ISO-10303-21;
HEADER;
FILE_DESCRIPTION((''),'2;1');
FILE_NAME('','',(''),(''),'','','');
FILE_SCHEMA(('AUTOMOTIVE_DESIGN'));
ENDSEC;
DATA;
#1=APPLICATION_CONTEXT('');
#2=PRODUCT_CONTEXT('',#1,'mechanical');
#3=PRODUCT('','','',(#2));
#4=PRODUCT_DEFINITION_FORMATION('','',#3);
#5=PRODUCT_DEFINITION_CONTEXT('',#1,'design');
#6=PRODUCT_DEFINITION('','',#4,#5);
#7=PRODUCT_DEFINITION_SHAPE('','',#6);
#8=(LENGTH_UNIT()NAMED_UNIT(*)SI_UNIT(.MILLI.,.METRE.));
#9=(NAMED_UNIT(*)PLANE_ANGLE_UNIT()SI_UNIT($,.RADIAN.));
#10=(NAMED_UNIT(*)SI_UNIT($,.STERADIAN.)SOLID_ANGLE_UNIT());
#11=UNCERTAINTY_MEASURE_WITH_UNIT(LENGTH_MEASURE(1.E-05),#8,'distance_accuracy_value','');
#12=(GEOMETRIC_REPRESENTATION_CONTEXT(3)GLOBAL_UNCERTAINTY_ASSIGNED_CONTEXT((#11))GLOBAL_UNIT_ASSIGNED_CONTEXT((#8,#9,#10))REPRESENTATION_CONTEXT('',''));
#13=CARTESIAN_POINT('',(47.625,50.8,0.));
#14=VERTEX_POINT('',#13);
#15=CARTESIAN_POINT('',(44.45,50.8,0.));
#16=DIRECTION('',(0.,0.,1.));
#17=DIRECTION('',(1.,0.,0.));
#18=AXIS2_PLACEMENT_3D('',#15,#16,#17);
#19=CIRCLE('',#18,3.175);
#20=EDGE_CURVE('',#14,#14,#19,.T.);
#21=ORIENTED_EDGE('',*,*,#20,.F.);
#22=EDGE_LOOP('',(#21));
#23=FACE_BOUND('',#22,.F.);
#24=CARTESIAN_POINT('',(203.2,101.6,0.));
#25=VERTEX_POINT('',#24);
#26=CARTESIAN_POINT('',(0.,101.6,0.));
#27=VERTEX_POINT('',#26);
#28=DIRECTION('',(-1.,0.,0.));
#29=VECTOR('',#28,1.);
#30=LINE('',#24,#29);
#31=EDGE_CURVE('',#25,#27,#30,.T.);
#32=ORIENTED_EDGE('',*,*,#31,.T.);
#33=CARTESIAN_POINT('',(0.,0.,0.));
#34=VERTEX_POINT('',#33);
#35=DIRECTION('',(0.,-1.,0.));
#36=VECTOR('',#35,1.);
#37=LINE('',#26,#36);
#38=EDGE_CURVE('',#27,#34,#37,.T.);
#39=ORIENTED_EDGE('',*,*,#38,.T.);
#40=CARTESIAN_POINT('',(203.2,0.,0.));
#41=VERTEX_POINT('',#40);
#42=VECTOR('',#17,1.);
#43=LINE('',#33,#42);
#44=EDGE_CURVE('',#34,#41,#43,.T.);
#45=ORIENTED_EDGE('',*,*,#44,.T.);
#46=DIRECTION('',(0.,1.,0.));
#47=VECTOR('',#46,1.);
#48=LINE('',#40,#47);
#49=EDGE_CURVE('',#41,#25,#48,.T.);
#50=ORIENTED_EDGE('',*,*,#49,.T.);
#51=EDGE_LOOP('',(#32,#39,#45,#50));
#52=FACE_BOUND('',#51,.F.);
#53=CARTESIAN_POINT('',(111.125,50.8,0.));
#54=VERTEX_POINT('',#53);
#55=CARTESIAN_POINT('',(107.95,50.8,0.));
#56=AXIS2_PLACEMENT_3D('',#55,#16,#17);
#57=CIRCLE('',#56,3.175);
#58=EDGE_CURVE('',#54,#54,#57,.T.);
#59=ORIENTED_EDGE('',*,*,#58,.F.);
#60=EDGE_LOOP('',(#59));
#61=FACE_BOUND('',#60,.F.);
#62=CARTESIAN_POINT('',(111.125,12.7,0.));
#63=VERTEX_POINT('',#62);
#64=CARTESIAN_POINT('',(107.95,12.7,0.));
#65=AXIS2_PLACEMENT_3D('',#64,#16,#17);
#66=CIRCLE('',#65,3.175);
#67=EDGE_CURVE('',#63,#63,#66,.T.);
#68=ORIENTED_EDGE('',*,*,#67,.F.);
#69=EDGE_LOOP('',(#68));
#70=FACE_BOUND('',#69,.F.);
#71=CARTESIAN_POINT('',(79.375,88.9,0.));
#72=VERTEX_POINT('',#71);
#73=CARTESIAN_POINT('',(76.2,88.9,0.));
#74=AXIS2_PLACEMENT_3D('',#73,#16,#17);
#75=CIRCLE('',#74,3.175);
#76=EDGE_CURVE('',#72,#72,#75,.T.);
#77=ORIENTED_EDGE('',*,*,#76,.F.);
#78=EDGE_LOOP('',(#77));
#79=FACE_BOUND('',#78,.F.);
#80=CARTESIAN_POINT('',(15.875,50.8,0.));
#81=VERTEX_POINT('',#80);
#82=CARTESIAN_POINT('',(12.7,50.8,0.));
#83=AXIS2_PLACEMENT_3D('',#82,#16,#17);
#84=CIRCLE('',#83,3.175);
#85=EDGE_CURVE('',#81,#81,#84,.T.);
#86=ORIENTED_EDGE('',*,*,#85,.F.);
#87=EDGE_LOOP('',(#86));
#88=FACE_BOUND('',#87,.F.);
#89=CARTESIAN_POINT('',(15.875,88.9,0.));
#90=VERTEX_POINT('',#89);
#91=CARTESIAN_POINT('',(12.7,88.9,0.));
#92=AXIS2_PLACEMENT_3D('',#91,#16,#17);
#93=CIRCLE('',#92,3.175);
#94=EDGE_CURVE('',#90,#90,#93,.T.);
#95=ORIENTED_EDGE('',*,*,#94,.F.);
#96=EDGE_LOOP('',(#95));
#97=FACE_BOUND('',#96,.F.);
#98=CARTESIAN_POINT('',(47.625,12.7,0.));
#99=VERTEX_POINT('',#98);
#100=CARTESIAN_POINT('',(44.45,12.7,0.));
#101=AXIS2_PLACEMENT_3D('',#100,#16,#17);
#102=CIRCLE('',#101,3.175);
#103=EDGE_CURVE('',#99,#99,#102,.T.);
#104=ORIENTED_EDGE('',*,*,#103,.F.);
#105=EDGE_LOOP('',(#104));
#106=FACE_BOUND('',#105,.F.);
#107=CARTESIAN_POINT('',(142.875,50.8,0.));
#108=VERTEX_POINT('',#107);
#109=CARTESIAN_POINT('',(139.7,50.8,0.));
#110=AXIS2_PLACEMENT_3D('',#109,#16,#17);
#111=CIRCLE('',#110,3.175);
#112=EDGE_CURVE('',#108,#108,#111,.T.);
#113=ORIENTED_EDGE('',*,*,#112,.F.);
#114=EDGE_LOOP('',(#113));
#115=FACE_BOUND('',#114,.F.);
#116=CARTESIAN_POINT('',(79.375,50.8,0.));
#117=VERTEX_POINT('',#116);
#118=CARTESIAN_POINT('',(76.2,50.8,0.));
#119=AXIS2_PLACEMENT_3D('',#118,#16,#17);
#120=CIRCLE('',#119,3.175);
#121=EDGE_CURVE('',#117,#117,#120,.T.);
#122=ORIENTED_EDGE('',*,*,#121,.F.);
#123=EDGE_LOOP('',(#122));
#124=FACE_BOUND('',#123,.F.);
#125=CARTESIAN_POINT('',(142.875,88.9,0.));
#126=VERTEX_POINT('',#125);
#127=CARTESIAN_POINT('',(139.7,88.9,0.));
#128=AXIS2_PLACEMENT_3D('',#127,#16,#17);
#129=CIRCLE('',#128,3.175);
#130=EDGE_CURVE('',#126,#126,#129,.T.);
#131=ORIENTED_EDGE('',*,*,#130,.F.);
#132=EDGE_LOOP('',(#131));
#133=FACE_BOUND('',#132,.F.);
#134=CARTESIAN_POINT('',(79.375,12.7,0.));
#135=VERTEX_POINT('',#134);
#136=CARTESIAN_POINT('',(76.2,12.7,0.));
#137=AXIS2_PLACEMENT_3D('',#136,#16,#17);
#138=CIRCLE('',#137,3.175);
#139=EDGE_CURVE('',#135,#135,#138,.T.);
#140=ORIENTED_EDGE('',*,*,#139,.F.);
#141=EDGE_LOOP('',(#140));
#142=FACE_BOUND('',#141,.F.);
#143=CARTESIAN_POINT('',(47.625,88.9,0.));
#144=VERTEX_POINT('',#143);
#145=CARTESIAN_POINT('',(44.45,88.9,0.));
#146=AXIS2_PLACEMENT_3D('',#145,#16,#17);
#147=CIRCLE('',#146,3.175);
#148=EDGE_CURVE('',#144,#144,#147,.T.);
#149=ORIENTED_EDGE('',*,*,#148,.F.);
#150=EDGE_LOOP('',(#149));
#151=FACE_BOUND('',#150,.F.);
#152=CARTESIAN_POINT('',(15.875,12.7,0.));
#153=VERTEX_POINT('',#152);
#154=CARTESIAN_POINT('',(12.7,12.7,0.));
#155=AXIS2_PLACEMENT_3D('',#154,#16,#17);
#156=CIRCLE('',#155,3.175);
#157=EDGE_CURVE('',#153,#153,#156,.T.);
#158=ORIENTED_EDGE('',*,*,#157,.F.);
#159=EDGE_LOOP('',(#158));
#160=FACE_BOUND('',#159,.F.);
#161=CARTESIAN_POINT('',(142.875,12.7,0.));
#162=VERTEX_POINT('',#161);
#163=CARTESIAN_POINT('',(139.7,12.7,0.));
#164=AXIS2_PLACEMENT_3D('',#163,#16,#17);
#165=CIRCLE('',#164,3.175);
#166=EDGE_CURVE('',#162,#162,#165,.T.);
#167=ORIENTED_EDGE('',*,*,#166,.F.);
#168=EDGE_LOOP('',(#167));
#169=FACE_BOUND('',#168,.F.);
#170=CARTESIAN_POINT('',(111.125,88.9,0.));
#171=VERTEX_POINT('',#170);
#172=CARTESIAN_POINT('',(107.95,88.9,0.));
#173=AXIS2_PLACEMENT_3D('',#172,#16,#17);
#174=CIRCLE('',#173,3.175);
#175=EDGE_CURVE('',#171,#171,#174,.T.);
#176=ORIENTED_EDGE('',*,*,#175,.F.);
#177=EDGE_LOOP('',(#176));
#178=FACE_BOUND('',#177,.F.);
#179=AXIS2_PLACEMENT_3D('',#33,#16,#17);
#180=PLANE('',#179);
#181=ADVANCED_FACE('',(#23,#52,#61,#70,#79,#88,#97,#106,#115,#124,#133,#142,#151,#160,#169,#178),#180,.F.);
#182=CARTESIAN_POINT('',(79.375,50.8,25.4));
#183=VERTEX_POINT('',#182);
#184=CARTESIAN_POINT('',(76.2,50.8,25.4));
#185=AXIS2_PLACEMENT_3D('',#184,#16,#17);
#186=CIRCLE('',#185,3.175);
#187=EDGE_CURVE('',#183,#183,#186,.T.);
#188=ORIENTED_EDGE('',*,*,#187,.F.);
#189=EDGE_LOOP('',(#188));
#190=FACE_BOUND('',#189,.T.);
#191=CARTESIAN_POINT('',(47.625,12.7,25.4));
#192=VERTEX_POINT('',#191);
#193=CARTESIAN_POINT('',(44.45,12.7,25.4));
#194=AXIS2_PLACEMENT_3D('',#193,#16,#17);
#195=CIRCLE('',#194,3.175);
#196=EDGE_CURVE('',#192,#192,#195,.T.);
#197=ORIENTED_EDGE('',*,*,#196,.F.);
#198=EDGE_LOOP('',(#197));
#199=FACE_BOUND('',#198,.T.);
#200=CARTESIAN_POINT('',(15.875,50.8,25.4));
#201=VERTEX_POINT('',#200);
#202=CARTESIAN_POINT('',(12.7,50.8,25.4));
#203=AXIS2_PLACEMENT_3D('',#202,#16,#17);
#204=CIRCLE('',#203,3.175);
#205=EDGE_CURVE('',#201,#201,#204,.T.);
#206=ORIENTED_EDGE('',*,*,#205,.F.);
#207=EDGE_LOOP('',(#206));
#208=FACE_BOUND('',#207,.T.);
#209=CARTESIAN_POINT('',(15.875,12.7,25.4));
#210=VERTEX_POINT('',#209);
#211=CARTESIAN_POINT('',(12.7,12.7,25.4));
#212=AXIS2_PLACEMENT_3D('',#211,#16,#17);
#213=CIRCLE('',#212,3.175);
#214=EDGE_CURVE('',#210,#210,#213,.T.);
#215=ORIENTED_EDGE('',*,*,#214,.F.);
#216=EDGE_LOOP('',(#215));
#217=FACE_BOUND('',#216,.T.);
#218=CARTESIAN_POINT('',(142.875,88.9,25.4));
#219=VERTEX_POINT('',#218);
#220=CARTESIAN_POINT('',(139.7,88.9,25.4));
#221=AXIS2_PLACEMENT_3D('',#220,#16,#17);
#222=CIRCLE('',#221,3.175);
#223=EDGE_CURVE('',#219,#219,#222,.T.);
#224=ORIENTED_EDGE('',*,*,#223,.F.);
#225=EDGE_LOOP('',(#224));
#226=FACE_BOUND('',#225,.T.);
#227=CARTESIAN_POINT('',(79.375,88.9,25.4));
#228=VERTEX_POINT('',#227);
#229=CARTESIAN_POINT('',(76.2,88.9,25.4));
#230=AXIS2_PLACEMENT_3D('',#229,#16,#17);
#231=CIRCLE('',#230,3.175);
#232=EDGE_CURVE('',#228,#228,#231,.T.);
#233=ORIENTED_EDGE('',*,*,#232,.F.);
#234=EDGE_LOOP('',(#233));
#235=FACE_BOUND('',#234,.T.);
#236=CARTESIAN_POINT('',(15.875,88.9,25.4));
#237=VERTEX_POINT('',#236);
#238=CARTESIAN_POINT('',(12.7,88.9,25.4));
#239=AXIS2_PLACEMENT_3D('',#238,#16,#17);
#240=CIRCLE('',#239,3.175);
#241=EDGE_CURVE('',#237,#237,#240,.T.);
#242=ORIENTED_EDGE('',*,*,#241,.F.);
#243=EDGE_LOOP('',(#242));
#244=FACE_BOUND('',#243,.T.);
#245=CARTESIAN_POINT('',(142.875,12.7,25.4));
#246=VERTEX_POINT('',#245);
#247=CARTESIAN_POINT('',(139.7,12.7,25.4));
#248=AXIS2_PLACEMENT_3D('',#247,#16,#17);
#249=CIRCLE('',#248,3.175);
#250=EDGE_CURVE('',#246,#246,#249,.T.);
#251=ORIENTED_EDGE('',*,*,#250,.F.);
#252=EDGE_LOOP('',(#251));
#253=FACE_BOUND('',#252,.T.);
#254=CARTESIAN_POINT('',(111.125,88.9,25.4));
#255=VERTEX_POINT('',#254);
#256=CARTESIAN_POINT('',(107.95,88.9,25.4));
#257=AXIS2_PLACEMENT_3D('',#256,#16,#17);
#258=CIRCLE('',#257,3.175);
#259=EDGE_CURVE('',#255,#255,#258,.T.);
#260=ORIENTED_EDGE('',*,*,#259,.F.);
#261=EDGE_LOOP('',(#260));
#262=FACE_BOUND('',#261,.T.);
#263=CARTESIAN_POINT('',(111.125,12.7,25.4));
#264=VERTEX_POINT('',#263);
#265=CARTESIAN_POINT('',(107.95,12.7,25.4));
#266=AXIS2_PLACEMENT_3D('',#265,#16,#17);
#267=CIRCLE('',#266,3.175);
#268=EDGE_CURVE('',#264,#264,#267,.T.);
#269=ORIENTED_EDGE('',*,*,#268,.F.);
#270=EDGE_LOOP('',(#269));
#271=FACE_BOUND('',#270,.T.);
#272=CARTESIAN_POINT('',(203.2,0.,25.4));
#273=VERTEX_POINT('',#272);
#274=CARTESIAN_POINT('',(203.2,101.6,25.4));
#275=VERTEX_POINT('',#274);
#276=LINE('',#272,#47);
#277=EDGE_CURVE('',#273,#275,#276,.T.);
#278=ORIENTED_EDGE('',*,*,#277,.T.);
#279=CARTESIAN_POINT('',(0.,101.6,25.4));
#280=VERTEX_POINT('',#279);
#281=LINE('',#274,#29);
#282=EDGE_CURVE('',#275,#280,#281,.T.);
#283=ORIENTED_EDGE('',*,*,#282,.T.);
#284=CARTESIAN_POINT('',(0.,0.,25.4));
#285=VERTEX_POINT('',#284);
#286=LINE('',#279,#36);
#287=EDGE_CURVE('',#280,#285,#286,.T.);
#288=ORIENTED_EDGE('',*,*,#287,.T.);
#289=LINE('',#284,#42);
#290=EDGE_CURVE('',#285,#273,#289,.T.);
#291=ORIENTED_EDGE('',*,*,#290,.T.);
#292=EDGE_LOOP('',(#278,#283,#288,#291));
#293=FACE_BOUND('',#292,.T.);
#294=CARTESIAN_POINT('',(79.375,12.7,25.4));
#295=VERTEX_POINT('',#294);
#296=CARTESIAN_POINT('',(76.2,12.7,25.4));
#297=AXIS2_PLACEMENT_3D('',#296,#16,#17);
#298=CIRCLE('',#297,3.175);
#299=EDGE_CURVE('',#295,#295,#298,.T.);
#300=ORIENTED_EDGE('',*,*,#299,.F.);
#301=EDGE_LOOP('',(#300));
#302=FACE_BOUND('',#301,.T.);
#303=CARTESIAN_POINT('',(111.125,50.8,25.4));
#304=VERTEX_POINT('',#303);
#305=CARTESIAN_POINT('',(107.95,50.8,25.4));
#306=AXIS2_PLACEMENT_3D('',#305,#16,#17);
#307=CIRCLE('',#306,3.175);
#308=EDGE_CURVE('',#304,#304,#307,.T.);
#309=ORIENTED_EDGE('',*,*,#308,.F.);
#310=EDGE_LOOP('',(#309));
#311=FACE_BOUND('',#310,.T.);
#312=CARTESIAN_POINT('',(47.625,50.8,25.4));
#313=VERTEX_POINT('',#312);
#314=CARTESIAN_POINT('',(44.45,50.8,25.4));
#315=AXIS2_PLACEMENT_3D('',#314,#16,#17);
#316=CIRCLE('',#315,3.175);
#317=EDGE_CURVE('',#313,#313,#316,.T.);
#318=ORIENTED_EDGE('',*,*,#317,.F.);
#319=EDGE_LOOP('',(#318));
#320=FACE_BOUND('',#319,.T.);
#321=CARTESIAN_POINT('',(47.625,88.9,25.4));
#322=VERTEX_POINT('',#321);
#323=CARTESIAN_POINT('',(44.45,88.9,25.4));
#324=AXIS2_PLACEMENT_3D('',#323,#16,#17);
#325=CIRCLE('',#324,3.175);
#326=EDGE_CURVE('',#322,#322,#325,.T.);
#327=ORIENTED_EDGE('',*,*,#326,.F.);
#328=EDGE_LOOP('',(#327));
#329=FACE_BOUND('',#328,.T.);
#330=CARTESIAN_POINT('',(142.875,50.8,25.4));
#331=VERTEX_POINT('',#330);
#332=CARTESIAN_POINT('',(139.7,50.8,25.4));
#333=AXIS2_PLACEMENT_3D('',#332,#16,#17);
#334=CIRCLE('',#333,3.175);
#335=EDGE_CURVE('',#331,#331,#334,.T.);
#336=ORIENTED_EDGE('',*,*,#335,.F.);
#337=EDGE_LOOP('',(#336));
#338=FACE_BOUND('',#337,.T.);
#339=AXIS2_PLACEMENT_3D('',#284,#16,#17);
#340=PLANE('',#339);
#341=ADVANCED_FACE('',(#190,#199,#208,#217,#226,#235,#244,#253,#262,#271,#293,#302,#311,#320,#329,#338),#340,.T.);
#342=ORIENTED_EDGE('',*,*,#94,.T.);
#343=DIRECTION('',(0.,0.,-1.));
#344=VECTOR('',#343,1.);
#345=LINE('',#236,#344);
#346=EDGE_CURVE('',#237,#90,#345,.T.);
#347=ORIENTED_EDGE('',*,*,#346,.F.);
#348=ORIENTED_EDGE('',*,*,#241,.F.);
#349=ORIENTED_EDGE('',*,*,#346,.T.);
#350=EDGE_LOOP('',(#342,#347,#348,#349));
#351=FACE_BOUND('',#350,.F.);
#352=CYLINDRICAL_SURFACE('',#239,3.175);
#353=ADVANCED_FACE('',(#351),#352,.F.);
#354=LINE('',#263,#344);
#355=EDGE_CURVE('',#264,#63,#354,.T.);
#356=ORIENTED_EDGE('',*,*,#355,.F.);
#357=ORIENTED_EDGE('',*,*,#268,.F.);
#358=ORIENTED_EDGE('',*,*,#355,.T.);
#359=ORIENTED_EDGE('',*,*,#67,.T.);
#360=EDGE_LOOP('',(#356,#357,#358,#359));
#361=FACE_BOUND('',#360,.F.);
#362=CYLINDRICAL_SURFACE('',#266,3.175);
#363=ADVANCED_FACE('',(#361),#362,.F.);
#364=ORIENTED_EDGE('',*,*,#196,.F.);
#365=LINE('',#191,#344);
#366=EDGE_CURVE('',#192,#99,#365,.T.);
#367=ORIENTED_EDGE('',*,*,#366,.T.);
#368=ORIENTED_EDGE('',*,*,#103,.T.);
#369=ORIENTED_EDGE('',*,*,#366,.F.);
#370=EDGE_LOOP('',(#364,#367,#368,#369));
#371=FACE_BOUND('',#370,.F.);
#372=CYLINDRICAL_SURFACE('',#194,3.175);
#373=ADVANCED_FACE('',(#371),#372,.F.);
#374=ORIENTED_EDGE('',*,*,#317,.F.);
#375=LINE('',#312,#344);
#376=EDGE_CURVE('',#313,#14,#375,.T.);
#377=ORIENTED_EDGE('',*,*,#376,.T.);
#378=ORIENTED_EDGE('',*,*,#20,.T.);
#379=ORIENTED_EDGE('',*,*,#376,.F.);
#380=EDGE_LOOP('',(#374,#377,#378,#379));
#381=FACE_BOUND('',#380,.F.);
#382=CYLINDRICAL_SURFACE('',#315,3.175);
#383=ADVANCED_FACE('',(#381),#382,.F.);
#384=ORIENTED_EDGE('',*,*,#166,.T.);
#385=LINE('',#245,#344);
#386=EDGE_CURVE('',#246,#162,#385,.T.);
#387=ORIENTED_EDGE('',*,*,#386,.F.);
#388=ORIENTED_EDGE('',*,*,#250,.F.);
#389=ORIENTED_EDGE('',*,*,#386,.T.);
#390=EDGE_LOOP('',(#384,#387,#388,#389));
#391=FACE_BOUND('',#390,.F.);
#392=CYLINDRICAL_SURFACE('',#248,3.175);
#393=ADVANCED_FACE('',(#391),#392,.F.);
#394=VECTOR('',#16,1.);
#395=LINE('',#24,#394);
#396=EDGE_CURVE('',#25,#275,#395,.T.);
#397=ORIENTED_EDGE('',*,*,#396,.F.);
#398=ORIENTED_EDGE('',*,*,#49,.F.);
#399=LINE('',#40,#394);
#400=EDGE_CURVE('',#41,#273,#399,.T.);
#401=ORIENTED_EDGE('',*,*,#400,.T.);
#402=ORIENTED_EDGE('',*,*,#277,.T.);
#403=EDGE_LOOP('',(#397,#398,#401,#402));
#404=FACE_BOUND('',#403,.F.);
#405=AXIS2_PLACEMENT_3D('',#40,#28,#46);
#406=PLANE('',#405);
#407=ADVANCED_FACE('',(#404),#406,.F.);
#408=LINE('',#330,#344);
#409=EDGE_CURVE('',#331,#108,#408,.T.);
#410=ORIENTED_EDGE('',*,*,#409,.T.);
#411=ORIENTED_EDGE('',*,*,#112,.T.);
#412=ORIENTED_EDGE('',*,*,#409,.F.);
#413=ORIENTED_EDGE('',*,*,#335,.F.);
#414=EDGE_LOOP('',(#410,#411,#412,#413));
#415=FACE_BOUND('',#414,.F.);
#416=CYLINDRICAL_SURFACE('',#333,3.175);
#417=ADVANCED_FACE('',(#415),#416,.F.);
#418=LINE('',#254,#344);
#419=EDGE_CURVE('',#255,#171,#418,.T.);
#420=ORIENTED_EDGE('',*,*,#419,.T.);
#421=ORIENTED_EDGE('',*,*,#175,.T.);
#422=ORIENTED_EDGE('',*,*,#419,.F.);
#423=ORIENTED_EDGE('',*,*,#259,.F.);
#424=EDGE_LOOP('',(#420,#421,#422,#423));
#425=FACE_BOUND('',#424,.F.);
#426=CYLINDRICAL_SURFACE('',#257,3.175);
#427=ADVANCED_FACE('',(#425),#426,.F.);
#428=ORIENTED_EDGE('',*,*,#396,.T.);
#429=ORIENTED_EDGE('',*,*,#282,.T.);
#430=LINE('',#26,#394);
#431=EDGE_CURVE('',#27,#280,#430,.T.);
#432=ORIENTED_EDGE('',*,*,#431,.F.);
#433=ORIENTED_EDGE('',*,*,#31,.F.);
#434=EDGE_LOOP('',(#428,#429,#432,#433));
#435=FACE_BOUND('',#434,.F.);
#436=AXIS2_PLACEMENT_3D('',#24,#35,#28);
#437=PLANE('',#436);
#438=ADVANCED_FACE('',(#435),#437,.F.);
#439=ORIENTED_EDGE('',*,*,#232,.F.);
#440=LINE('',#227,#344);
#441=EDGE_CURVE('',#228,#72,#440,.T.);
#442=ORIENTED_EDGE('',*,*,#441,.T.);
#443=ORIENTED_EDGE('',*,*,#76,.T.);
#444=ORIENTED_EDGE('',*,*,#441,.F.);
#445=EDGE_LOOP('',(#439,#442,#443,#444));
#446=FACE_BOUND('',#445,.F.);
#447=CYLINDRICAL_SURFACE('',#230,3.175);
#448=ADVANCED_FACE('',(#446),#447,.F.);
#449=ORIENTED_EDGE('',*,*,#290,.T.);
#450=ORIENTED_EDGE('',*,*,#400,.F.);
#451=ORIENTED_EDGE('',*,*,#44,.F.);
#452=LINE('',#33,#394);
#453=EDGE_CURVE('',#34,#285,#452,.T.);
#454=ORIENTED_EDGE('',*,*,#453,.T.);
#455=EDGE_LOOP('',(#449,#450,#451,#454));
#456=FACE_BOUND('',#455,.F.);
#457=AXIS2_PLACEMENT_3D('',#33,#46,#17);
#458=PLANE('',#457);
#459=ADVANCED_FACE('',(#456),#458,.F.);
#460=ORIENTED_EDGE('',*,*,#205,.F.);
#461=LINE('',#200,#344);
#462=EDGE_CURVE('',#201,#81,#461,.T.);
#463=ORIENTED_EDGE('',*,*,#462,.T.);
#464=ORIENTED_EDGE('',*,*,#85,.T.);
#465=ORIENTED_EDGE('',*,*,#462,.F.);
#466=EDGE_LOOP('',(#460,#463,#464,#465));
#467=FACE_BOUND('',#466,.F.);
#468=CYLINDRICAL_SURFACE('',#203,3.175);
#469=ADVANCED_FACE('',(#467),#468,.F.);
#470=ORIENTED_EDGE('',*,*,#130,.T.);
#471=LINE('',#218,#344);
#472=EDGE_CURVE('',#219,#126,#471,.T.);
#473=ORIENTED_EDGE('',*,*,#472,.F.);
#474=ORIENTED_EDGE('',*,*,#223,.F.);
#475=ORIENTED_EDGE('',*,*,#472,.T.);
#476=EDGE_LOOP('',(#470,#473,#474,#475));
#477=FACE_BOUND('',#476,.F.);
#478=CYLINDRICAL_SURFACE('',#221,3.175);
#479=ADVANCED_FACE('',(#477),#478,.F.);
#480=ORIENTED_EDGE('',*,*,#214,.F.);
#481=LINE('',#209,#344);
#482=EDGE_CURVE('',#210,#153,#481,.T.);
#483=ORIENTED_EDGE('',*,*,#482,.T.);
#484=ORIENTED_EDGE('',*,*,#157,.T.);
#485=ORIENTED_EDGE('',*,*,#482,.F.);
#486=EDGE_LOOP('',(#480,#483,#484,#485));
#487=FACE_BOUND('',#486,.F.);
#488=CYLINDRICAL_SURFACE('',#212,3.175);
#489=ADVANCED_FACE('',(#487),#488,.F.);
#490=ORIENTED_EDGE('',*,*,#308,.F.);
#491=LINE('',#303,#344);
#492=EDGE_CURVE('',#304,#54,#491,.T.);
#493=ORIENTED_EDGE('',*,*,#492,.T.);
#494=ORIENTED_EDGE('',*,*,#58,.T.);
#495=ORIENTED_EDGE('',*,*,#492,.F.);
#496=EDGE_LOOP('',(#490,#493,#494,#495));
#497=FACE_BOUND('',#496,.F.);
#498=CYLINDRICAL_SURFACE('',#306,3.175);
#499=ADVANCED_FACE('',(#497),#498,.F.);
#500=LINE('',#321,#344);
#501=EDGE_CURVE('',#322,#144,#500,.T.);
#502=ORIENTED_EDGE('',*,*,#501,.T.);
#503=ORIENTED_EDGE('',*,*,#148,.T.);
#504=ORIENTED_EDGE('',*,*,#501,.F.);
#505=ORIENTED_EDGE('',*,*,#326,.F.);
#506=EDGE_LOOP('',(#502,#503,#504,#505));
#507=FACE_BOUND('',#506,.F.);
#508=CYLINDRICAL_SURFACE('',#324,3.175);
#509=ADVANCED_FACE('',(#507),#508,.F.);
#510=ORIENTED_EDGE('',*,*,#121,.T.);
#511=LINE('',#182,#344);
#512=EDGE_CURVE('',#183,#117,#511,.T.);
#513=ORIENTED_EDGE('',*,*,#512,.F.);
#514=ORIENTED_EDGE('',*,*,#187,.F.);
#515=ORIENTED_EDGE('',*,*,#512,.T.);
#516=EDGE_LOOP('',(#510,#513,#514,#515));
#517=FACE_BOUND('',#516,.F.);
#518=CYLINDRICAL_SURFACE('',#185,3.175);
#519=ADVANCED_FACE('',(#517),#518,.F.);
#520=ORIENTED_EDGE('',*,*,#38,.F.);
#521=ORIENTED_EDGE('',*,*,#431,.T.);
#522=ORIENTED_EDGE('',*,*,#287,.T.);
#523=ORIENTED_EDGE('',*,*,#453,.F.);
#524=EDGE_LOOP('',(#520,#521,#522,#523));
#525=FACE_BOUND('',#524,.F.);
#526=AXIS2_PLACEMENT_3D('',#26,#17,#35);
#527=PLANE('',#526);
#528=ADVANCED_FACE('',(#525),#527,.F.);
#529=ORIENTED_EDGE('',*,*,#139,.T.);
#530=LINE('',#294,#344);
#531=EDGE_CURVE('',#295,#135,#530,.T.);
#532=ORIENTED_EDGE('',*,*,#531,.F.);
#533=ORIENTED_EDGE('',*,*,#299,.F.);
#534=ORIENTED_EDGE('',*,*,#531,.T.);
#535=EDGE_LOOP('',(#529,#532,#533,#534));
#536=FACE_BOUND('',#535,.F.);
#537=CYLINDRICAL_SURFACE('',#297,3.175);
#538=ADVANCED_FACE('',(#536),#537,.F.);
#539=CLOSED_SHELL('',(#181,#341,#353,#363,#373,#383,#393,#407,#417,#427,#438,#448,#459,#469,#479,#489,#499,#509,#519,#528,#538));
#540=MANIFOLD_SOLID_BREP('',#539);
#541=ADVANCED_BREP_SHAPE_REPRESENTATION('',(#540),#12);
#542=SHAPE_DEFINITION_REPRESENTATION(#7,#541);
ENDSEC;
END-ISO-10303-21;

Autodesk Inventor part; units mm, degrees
ref_plane "YZ Plane" through (0, 0, 0) normal (1, 0, 0) x (0, 1, 0)
ref_plane "XZ Plane" through (0, 0, 0) normal (0, 1, 0) x (-1, 0, 0)
ref_plane "XY Plane" through (0, 0, 0) normal (0, 0, 1) x (1, 0, 0)
sketch "Sketch1" plane through (0, 0, 0) normal (0, 0, 1) x (1, 0, 0)
  line L0 (0, 0) -> (203.2, 0)
  line L1 (203.2, 0) -> (203.2, 101.6)
  line L2 (203.2, 101.6) -> (0, 101.6)
  line L3 (0, 101.6) -> (0, 0)
  dimension "d0" = 203.2
  dimension "d1" = 101.6
extrude "Extrusion1" add sketch "Sketch1" along normal blind 25.4
sketch "Sketch2" plane through (0, 0, 25.4) normal (0, 0, 1) x (1, 0, 0)
  line L0 (203.2, 101.6) -> (0, 101.6) projected
  line L1 (0, 101.6) -> (0, 0) projected
  circle A0 centre (12.7, 88.9) radius 3.175
  dimension "d4" = 6.35
  dimension "d5" = 12.7
  dimension "d6" = 12.7
extrude "Extrusion2" cut sketch "Sketch2" against normal through all
pattern_linear "Rectangular Pattern1" count 5 spacing 31.75 along (1, 0, 0) count 3 spacing 38.1 along (0, -1, 0) of "Extrusion2"
properties part number "Rectangular Pattern Parameters"
